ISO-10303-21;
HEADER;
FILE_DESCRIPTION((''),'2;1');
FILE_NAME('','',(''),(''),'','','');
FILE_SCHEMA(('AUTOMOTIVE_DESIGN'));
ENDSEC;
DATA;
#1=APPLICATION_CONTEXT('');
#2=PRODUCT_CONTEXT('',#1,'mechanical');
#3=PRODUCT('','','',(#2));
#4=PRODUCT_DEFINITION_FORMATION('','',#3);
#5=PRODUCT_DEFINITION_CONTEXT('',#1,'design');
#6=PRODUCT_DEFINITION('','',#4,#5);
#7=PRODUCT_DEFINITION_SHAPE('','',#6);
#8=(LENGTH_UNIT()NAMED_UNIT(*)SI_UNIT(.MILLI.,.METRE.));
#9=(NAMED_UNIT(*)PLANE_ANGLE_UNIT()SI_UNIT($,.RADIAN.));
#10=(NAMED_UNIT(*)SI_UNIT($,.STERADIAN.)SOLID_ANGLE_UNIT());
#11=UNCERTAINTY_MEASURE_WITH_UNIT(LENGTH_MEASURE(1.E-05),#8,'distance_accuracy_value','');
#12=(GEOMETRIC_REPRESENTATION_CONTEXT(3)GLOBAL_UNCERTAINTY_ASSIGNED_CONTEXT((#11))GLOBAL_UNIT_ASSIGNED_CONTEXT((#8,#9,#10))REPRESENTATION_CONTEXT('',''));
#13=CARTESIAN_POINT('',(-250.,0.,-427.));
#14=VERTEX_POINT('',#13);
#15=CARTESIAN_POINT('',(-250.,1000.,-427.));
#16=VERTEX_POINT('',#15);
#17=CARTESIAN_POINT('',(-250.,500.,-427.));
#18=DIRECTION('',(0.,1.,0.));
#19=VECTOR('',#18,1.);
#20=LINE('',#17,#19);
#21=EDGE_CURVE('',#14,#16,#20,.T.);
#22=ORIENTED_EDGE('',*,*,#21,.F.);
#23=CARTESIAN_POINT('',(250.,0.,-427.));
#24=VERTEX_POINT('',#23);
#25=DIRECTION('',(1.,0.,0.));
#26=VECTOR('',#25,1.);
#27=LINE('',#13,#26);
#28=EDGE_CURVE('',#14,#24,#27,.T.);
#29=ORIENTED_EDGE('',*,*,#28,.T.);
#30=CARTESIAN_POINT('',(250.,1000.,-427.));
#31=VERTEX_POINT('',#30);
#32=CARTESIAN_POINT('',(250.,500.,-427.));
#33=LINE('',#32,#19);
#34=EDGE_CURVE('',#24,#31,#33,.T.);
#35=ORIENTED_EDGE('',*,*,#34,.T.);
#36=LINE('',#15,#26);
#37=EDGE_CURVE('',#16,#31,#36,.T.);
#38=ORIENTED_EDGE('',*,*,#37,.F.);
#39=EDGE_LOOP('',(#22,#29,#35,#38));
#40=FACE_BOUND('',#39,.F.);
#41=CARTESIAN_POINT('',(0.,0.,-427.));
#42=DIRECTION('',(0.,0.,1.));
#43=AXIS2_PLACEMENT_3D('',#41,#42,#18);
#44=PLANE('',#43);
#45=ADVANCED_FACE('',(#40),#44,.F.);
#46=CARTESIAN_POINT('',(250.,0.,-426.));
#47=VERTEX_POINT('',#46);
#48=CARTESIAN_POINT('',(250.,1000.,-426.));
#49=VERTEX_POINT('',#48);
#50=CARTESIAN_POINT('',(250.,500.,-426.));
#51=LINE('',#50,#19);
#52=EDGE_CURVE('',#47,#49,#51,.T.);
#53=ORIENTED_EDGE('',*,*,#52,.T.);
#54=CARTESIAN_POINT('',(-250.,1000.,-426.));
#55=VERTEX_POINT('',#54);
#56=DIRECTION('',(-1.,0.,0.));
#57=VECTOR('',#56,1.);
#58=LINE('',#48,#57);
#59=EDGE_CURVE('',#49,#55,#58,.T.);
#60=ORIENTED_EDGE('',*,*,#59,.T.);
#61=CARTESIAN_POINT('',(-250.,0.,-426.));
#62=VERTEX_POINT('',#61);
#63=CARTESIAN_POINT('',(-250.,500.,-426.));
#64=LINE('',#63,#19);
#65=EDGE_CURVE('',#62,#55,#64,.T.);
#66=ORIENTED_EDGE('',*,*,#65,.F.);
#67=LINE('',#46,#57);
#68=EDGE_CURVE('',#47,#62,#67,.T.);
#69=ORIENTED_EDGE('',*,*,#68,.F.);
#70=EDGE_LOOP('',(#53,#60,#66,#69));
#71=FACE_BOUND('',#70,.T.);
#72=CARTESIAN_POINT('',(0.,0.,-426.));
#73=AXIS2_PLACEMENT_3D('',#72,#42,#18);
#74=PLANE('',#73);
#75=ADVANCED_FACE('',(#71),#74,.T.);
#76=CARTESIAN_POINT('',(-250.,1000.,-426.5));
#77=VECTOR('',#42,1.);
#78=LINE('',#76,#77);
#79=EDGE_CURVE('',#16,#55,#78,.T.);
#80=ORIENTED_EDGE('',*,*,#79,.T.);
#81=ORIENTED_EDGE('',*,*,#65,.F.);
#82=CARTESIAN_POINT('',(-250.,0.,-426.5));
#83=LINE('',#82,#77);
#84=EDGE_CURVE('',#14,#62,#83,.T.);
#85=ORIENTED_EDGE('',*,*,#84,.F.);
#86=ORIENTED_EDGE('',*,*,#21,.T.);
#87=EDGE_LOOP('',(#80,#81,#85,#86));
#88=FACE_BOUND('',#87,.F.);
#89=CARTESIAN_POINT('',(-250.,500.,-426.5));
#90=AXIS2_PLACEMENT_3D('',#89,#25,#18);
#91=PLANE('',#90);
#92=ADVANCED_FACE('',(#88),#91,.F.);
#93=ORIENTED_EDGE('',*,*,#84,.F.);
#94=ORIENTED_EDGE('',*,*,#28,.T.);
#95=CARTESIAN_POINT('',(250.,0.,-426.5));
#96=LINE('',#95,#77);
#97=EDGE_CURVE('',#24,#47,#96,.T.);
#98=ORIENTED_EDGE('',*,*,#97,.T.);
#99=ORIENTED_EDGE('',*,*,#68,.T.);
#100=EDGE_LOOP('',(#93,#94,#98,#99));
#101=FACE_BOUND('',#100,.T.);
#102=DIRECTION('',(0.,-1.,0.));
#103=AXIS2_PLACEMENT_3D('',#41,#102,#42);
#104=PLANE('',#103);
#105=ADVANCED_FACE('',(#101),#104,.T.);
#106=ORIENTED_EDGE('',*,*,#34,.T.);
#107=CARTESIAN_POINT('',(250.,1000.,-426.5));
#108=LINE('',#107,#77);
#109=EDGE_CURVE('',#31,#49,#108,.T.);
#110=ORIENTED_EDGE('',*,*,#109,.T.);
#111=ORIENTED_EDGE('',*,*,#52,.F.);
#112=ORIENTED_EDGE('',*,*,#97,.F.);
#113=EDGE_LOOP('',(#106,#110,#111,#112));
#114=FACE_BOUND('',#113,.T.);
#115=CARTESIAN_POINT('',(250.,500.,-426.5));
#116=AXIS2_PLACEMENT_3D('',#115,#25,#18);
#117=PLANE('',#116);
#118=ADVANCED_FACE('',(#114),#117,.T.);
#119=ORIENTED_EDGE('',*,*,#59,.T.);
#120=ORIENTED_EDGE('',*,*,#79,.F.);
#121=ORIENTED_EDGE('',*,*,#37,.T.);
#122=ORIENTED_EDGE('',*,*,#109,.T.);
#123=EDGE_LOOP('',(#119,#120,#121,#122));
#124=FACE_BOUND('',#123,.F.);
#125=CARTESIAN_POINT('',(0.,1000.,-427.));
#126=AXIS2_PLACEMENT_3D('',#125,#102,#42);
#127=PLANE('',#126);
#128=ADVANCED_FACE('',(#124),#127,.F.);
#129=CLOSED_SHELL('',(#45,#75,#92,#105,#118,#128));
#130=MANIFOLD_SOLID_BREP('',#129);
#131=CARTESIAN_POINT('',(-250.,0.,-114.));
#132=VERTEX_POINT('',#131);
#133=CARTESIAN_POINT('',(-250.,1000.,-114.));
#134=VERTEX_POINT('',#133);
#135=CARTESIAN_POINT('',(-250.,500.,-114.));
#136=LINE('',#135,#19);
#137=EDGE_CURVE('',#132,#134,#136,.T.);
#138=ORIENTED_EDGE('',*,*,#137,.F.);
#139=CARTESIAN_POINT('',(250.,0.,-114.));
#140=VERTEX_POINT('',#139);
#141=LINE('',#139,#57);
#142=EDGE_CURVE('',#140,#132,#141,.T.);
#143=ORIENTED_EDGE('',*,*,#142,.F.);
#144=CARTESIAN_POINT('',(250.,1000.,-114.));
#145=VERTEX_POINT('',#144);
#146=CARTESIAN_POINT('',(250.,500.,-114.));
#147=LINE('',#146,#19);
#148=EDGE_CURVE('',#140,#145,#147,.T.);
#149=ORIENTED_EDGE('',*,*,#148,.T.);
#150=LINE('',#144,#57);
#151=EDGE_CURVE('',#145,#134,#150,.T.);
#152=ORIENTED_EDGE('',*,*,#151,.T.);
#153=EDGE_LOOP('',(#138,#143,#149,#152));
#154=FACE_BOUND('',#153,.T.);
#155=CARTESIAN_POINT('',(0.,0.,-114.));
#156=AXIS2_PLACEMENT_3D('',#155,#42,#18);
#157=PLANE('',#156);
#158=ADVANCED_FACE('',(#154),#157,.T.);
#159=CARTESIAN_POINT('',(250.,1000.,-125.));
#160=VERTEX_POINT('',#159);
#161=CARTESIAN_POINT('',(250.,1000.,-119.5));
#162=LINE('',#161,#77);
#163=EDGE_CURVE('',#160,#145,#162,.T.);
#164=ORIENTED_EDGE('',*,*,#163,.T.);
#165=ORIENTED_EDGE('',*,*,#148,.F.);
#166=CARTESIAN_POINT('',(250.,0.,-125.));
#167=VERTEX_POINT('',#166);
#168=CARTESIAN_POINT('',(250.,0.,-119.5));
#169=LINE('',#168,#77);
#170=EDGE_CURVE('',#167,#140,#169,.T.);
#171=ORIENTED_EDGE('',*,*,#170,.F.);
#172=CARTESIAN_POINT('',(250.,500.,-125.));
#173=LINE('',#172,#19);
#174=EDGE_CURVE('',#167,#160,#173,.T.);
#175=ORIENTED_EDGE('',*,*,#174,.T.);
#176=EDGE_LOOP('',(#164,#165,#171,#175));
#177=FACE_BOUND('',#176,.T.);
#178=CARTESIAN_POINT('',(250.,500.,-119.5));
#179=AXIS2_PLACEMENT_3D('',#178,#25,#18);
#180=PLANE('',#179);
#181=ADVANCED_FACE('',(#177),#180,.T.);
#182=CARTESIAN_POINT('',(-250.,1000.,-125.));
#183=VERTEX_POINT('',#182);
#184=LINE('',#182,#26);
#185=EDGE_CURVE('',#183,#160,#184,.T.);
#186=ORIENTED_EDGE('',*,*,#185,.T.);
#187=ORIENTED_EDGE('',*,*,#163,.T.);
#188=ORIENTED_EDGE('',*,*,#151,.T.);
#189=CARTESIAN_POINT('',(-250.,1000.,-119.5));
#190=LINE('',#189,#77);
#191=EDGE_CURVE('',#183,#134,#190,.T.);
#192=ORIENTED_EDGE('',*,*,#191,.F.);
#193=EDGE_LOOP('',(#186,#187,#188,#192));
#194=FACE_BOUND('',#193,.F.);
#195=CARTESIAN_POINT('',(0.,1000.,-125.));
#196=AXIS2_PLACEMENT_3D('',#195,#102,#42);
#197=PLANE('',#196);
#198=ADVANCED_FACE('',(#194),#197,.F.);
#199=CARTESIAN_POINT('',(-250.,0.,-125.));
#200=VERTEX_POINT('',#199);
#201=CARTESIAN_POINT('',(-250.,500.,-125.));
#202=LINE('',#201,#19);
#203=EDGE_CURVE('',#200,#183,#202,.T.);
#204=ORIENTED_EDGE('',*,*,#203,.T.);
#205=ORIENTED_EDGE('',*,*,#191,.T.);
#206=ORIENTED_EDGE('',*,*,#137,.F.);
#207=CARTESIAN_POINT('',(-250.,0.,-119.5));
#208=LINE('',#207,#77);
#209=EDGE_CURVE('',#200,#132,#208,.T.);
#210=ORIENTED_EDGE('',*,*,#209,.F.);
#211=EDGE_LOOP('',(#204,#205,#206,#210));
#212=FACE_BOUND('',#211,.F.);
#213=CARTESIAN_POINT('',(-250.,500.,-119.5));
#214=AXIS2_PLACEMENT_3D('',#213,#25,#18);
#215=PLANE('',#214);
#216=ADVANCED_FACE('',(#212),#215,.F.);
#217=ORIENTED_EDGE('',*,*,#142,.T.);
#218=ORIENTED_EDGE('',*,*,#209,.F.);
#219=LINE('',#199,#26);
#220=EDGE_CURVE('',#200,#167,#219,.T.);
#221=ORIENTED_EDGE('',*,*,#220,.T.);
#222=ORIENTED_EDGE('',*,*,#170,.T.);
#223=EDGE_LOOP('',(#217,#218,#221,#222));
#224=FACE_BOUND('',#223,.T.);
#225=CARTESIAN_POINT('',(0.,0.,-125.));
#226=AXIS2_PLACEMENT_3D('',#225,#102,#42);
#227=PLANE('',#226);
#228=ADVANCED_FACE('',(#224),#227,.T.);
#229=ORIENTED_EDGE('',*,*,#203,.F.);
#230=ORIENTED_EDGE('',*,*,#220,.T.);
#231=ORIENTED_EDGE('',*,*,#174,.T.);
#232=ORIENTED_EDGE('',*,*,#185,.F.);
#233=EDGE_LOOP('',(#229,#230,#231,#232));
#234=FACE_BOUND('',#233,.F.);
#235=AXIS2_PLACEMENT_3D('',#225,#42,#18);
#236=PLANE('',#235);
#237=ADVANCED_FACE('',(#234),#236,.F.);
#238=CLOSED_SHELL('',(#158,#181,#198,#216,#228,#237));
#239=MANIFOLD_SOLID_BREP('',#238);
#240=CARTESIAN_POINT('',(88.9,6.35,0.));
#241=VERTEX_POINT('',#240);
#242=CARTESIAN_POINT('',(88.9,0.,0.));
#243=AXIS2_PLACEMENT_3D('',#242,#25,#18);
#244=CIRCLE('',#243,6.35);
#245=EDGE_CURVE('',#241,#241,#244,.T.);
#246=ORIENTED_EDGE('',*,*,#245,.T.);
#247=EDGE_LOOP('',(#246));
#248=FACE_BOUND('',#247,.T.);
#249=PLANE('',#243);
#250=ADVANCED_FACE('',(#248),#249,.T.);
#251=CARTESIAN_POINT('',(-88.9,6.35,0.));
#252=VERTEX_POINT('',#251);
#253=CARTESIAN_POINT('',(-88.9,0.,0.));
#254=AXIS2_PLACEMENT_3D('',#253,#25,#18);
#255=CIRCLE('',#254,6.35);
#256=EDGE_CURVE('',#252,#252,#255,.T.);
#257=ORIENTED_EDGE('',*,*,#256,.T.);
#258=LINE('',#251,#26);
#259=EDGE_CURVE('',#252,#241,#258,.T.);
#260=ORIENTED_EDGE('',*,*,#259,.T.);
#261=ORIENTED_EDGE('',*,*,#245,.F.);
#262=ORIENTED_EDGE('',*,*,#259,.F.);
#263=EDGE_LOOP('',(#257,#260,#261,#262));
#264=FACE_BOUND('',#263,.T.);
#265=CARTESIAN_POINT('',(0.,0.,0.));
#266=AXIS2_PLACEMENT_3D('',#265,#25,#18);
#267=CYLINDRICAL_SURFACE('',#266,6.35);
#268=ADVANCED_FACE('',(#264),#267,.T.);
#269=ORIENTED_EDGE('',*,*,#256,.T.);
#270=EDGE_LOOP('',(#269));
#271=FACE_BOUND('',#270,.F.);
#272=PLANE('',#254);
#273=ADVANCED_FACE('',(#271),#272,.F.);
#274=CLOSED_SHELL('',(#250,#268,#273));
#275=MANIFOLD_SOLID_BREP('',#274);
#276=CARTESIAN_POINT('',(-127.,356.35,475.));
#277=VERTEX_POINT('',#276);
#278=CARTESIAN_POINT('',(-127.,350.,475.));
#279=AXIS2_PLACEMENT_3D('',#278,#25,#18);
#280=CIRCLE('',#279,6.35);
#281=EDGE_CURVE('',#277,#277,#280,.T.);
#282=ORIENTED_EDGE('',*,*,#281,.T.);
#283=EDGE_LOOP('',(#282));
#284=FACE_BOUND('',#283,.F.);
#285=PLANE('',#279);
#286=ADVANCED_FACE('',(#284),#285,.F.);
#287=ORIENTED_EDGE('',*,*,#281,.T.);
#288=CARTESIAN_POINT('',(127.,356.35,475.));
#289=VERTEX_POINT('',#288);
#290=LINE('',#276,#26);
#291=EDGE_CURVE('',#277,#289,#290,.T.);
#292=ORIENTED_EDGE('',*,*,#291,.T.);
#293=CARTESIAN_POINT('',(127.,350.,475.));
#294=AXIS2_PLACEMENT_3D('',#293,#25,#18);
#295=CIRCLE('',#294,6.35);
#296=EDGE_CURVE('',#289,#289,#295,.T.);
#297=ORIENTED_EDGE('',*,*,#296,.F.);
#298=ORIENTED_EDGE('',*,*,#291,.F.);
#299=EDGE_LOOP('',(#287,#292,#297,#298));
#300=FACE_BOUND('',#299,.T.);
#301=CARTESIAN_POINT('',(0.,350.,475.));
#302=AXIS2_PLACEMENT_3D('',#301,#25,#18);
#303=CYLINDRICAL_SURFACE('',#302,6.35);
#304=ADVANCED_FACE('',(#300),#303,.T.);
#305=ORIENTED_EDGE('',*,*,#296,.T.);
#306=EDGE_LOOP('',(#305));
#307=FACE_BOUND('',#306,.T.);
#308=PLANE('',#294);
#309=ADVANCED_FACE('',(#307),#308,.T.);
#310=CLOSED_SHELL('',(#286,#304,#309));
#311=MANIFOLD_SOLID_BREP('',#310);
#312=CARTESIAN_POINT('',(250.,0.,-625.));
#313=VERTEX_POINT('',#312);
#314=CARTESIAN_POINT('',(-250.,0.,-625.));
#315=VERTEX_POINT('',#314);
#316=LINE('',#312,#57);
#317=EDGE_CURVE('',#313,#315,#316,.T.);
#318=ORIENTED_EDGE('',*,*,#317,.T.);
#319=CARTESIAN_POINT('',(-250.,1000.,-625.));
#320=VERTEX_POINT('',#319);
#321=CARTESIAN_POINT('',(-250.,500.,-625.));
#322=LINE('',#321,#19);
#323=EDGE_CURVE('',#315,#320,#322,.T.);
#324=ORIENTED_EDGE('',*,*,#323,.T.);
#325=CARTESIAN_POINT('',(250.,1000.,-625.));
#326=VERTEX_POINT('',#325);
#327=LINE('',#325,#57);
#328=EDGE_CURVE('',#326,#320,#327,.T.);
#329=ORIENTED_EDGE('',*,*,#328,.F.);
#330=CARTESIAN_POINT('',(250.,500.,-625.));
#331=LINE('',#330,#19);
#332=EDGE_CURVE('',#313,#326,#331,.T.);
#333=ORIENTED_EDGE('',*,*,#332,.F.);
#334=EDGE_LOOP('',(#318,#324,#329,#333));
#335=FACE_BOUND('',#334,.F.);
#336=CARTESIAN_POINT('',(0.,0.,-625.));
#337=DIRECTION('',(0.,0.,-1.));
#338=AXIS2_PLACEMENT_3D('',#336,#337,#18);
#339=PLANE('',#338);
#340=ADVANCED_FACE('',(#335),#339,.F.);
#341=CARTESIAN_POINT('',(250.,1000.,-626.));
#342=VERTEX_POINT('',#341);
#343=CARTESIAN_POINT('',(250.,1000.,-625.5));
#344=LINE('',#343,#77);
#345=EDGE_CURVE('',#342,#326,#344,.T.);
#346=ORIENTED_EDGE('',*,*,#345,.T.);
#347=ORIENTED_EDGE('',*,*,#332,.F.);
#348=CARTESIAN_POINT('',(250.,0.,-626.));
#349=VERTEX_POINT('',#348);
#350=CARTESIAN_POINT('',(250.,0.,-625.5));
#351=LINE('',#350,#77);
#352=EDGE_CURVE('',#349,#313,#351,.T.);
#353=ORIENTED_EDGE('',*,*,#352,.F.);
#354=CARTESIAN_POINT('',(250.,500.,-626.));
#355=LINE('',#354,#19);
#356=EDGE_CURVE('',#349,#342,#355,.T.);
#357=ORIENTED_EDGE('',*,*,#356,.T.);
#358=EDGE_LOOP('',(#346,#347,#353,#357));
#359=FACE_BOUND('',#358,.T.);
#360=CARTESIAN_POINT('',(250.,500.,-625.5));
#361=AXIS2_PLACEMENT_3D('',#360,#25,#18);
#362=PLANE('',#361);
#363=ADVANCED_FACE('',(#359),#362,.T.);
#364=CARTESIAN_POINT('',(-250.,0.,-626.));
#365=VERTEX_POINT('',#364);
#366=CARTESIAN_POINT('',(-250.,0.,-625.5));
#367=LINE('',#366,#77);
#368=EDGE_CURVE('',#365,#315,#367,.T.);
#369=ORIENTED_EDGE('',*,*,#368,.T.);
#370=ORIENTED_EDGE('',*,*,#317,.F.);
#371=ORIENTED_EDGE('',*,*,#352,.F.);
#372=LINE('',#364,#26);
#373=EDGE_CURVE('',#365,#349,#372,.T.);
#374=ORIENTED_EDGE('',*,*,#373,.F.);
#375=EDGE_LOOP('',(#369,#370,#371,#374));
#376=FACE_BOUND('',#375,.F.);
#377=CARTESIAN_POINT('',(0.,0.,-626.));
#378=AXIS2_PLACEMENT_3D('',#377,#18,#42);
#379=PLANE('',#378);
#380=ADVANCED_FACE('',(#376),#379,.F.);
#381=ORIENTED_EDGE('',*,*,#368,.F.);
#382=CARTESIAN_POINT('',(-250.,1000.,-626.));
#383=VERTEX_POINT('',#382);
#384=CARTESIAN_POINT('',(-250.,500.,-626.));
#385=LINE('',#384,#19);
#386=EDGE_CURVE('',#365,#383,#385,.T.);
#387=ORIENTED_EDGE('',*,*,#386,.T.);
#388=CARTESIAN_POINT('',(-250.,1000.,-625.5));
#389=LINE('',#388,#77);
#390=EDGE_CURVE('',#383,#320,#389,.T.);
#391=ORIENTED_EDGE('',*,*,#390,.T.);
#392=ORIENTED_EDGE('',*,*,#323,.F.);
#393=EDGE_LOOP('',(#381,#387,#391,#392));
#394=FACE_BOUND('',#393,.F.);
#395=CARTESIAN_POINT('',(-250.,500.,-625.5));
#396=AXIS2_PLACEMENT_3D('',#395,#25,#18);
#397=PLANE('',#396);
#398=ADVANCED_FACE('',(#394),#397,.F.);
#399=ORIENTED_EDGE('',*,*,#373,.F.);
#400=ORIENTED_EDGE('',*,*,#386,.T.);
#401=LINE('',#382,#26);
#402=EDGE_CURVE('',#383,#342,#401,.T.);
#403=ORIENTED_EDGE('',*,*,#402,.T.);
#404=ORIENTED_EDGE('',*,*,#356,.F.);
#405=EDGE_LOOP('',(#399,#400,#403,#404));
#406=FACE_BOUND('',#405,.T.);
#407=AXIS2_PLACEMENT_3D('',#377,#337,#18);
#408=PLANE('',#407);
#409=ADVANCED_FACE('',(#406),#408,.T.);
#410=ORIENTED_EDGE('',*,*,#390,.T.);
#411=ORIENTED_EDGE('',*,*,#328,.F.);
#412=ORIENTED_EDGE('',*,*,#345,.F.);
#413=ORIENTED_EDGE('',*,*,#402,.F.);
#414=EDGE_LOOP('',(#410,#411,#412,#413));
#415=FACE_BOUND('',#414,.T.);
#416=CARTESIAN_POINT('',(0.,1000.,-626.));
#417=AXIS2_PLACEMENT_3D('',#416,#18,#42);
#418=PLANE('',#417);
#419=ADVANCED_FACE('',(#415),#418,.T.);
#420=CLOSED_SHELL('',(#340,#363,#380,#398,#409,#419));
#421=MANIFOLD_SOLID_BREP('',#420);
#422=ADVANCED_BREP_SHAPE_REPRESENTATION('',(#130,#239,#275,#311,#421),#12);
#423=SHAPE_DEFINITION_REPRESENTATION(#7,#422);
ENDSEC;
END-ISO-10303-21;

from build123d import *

# Parameters (mm, degrees)
F0_R     = 6.35
F1_DEPTH = 88.9
F2_W     = 1000
F2_H     = 11
F2_H_2   = 1
F3_DEPTH = 250
F4_R     = 6.35
F5_DEPTH = 127


with BuildPart() as f1:
    # F0 (on Right) → F1 (new body, symmetric)
    with BuildSketch(Plane.YZ):
        Circle(F0_R)
    extrude(amount=F1_DEPTH, both=True)


with BuildPart() as f3:
    # F2 (on Right) → F3 (new body, symmetric)
    with BuildSketch(Plane.YZ):
        with Locations((500, -119.5)):
            Rectangle(F2_W, F2_H)
        with Locations((500, -426.5)):
            Rectangle(F2_W, F2_H_2)
        with Locations((500, -625.5)):
            Rectangle(F2_W, F2_H_2)
    extrude(amount=F3_DEPTH, both=True)


with BuildPart() as f5:
    # F4 (on Right) → F5 (new body, symmetric)
    with BuildSketch(Plane.YZ):
        with Locations((350, 475)):
            Circle(F4_R)
    extrude(amount=F5_DEPTH, both=True)


solid = Compound([f1.part, f3.part, f5.part])
